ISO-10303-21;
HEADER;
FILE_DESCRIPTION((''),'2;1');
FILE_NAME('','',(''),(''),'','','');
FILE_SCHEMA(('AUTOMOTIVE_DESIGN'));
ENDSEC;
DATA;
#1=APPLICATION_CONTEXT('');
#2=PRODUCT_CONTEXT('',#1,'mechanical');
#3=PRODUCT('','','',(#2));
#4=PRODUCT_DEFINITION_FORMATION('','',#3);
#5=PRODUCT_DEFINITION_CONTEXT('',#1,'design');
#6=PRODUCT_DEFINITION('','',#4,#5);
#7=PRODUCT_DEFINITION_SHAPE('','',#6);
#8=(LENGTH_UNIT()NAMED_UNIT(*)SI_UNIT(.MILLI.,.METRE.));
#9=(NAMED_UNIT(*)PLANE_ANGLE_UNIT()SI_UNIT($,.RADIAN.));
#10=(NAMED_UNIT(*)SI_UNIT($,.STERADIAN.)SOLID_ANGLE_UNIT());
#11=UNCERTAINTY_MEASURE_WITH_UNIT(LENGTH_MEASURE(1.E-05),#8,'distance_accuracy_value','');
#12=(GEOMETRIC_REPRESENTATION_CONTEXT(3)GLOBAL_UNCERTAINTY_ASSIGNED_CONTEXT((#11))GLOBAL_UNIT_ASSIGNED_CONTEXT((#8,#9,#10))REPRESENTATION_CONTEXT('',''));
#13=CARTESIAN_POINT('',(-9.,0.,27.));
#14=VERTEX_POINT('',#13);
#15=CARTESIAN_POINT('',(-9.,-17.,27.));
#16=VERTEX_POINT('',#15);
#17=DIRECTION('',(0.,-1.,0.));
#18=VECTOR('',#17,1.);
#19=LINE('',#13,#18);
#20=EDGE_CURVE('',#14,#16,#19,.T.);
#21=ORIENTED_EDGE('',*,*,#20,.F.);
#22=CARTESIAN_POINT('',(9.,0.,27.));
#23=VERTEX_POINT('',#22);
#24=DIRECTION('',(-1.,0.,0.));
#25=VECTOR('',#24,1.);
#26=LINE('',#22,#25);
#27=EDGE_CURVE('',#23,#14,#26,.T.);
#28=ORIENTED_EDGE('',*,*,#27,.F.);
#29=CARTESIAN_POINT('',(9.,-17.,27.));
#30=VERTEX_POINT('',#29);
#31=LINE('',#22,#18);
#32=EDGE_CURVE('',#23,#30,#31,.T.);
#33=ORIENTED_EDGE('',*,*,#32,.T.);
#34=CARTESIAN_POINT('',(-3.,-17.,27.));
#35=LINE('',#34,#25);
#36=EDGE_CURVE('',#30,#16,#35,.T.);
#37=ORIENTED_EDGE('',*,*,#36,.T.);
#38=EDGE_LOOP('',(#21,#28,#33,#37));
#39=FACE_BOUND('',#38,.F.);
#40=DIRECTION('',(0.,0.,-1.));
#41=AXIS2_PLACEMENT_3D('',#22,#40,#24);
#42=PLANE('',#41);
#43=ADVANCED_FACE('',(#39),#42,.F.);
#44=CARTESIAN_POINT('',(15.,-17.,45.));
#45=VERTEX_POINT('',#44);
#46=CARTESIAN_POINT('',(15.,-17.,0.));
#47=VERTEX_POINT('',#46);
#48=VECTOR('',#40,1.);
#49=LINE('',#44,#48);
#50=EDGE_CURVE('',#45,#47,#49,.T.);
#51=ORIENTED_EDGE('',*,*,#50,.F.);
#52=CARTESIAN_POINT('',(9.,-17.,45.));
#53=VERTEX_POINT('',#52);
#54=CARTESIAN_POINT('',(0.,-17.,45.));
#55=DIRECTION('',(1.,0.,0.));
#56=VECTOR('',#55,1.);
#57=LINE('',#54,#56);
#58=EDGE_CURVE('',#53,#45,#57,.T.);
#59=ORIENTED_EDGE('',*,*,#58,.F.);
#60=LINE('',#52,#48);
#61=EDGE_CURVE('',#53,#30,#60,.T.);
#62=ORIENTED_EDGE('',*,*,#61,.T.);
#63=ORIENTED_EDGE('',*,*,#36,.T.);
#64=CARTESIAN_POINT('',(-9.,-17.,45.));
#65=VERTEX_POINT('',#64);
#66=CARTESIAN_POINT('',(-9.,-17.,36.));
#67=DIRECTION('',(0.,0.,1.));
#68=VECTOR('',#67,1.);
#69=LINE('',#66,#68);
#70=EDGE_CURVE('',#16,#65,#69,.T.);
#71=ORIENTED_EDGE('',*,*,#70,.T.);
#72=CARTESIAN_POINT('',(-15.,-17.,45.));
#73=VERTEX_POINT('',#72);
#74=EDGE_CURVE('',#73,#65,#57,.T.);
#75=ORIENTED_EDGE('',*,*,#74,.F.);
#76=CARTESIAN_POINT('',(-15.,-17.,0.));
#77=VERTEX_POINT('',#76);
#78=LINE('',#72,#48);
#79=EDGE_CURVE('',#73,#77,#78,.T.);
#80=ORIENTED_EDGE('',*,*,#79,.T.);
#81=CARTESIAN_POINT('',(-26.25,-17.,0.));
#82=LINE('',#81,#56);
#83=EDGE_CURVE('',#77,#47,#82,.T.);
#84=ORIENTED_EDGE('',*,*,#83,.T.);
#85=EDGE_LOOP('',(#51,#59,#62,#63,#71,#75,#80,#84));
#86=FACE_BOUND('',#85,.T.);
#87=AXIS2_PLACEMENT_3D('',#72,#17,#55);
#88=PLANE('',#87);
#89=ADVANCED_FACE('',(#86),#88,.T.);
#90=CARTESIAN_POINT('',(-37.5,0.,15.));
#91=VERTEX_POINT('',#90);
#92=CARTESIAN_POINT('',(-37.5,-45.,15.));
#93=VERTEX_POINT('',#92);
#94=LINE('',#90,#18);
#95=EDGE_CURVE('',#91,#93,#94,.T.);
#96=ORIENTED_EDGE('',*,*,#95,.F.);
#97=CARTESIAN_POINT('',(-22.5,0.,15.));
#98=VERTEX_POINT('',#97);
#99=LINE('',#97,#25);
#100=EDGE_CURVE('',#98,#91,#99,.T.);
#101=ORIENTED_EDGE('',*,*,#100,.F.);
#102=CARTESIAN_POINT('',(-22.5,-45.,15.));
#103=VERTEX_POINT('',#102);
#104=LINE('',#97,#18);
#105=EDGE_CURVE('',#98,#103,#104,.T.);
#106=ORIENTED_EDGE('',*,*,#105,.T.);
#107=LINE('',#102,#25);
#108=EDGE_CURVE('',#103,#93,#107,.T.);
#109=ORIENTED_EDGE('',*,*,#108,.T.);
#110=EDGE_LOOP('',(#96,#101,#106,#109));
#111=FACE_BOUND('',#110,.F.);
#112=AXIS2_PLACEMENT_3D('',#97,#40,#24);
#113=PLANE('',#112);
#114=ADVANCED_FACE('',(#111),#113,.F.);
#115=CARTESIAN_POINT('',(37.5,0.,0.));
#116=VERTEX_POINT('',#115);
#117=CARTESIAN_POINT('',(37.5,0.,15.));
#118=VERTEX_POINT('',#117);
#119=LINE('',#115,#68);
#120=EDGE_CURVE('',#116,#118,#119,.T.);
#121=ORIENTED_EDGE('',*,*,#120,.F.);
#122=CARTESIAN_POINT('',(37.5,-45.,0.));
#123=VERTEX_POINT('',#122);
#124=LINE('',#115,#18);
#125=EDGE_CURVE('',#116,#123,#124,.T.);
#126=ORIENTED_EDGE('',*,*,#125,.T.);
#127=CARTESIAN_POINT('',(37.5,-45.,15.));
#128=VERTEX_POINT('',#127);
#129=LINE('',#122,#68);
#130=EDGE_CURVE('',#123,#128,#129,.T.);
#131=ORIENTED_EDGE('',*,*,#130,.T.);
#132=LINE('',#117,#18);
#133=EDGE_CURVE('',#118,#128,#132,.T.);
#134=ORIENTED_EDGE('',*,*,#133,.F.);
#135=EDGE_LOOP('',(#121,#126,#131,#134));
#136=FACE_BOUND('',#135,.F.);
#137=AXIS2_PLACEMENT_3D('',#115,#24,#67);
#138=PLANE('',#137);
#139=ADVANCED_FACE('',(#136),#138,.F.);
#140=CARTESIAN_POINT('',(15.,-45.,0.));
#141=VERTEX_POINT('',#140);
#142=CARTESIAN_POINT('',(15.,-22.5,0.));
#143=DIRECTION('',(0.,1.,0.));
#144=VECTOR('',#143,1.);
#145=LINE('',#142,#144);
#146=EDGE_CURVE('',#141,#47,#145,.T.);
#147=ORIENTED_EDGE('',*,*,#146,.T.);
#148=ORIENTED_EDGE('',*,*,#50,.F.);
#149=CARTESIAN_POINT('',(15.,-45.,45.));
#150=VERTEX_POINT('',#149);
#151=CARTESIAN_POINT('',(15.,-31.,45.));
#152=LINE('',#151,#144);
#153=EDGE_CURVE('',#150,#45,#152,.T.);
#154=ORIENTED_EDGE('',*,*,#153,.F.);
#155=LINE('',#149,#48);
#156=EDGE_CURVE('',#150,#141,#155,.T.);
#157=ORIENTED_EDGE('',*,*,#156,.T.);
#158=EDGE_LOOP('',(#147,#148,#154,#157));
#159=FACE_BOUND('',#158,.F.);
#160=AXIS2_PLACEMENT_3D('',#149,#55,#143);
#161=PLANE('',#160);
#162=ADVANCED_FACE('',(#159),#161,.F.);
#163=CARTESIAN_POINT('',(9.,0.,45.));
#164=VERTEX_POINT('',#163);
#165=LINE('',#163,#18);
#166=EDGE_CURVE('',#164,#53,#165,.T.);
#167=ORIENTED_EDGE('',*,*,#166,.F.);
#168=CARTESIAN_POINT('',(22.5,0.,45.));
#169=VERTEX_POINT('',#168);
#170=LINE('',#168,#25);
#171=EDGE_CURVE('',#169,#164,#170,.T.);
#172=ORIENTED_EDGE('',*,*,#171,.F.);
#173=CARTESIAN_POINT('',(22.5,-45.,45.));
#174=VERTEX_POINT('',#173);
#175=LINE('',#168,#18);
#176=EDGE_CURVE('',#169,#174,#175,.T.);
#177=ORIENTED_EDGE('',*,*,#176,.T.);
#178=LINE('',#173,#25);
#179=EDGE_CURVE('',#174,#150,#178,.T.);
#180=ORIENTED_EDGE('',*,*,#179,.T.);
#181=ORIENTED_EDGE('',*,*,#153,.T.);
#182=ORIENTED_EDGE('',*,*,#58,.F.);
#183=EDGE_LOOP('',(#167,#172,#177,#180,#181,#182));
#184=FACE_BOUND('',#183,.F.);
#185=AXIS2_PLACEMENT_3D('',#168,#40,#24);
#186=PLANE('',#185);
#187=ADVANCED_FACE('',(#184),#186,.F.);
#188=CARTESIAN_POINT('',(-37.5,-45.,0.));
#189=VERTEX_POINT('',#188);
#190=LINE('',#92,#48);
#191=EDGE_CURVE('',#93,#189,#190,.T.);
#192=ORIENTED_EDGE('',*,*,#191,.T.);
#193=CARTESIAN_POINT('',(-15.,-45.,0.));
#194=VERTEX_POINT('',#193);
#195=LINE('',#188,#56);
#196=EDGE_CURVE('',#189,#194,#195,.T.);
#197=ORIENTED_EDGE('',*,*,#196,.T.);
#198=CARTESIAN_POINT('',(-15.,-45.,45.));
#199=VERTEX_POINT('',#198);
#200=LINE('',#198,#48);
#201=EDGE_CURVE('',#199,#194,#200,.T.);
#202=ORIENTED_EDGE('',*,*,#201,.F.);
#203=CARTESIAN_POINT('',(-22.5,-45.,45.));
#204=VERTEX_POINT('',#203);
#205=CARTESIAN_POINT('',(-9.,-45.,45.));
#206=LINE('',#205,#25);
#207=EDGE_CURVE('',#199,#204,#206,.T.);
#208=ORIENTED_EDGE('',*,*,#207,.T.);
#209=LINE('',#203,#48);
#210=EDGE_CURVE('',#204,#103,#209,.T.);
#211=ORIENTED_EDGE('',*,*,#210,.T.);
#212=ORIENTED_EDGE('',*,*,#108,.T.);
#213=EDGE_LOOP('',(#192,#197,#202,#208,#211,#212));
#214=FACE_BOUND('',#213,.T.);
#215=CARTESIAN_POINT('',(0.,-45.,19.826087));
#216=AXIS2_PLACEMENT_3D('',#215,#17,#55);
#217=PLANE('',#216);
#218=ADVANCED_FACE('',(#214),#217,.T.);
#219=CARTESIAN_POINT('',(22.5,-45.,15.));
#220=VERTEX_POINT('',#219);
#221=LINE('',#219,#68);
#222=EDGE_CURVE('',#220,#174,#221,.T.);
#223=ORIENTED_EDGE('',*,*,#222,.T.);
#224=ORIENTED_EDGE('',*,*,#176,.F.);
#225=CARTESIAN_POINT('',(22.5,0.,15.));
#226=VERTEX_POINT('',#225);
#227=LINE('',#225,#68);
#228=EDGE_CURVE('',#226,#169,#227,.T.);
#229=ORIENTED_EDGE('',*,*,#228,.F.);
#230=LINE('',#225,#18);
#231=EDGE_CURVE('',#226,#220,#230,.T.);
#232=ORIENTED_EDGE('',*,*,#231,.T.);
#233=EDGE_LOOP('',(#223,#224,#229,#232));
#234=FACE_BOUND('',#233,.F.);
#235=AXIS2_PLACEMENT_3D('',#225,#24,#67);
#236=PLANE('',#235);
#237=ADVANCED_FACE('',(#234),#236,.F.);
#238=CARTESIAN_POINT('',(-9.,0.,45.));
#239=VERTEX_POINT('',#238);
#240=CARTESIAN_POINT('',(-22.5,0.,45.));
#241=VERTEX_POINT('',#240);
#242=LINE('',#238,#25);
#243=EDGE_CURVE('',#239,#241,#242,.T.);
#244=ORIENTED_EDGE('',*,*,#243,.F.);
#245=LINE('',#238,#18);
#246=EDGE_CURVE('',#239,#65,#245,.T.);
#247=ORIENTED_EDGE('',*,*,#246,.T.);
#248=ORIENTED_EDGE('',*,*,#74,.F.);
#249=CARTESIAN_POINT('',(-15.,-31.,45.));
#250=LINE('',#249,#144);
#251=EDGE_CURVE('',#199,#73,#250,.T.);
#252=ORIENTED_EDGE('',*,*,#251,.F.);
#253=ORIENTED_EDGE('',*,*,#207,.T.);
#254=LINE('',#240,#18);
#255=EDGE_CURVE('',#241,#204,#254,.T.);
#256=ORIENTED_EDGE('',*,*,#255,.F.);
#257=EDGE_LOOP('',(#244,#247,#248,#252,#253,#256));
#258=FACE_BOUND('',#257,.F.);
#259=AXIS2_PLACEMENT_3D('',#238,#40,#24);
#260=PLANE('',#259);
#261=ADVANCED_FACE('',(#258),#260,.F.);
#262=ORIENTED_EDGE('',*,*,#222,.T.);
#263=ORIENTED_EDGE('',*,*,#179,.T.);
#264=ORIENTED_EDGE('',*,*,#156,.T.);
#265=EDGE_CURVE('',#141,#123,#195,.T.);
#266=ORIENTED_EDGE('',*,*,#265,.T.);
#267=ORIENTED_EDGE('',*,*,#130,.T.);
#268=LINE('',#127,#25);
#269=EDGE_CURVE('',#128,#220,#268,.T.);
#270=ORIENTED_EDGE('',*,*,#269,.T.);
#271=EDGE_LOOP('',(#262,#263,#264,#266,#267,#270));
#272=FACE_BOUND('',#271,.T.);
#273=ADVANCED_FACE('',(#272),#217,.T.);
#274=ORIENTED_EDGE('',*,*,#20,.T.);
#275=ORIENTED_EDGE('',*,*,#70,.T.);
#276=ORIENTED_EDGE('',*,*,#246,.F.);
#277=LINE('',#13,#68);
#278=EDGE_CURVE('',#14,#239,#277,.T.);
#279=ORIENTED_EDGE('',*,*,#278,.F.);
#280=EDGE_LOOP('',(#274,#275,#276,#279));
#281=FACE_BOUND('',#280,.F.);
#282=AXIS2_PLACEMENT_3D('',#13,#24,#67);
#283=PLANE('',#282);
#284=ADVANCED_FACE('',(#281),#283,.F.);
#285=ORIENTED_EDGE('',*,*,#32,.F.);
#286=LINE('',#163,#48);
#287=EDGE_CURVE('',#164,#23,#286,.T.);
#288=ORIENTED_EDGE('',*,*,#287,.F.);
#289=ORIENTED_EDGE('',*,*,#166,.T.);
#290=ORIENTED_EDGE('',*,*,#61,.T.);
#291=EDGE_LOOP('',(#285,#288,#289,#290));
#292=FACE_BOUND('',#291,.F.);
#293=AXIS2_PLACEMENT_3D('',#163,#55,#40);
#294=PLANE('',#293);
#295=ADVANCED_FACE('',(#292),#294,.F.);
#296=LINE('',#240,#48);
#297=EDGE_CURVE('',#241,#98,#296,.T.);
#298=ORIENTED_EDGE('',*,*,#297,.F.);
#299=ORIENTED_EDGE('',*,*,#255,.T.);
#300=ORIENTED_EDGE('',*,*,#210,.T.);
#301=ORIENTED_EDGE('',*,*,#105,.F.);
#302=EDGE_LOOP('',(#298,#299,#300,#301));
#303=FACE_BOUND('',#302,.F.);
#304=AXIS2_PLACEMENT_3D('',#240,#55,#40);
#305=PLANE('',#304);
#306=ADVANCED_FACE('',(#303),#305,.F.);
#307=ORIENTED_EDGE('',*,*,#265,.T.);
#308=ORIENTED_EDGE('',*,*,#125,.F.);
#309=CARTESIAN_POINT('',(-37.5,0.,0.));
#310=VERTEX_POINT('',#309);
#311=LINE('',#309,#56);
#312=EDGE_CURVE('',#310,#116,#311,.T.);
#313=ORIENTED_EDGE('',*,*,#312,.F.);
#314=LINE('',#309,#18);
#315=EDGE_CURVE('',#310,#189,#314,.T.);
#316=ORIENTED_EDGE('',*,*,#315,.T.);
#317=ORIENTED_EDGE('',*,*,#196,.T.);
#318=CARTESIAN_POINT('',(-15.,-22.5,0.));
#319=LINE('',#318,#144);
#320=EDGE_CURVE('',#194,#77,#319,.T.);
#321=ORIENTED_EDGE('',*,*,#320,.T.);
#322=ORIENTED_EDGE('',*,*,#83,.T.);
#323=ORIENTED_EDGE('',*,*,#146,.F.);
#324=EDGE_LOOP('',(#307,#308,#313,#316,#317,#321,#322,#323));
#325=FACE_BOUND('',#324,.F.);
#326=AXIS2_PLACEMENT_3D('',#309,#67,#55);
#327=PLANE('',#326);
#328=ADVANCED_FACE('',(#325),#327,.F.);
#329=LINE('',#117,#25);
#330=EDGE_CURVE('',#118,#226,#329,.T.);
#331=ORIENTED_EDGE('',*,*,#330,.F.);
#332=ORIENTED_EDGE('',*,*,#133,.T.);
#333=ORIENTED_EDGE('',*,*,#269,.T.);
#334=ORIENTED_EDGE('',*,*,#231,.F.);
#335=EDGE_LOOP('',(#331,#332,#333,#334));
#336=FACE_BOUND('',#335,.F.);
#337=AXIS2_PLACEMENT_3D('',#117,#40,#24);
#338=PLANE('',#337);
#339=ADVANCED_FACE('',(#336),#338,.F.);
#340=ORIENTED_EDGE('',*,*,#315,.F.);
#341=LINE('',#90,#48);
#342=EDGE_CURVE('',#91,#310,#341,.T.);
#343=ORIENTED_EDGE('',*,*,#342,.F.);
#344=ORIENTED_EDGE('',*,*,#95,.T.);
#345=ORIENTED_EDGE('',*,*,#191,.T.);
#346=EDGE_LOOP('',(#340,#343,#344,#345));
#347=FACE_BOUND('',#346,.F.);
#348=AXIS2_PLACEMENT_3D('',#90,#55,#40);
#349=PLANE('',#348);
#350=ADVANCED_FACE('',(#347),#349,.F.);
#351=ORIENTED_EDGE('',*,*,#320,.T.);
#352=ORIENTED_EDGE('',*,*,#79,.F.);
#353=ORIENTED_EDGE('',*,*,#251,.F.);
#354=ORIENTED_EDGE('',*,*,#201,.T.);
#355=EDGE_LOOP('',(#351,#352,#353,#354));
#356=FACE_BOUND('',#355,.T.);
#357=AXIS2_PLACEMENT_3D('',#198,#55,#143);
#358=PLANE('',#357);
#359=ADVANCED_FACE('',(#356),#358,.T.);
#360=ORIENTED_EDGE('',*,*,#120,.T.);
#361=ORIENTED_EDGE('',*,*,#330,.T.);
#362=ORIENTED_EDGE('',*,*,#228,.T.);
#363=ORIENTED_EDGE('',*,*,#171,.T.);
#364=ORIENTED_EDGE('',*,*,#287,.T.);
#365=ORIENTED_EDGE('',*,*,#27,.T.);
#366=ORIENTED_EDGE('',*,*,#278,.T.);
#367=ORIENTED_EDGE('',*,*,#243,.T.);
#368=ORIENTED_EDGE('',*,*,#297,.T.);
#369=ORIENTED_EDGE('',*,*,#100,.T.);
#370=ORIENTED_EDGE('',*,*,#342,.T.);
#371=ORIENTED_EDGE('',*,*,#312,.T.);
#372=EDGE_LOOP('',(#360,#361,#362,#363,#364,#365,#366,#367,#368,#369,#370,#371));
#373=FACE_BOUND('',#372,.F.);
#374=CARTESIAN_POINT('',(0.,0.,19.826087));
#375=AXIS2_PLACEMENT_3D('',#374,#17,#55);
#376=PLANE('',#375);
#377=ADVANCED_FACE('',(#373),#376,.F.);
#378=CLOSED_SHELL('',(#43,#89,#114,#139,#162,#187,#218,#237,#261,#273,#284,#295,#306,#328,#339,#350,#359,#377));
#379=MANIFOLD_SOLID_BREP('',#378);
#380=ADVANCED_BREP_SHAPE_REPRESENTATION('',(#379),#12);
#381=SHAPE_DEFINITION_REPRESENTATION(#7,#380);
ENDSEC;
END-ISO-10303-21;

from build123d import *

# Parameters (mm, degrees)
F1_DEPTH = 45
F2_W     = 30
F2_H     = 28
F3_DEPTH = 45.001


with BuildPart() as f1:
    # F0 (on Front) → F1 (new body)
    with BuildSketch(Plane.XZ):
        Polygon((-37.5, 0), (0, 0), (37.5, 0), (37.5, 15), (22.5, 15), (22.5, 45), (9, 45), (9, 27), (-9, 27), (-9, 45), (-22.5, 45), (-22.5, 15), (-37.5, 15), align=None)
    extrude(amount=F1_DEPTH)

    # F2 (on face) → F3 (cut, through all)
    with BuildSketch(Plane.XY.offset(45)):
        with Locations((0, -31)):
            Rectangle(F2_W, F2_H)
    extrude(amount=-F3_DEPTH, mode=Mode.SUBTRACT)


solid = f1.part
